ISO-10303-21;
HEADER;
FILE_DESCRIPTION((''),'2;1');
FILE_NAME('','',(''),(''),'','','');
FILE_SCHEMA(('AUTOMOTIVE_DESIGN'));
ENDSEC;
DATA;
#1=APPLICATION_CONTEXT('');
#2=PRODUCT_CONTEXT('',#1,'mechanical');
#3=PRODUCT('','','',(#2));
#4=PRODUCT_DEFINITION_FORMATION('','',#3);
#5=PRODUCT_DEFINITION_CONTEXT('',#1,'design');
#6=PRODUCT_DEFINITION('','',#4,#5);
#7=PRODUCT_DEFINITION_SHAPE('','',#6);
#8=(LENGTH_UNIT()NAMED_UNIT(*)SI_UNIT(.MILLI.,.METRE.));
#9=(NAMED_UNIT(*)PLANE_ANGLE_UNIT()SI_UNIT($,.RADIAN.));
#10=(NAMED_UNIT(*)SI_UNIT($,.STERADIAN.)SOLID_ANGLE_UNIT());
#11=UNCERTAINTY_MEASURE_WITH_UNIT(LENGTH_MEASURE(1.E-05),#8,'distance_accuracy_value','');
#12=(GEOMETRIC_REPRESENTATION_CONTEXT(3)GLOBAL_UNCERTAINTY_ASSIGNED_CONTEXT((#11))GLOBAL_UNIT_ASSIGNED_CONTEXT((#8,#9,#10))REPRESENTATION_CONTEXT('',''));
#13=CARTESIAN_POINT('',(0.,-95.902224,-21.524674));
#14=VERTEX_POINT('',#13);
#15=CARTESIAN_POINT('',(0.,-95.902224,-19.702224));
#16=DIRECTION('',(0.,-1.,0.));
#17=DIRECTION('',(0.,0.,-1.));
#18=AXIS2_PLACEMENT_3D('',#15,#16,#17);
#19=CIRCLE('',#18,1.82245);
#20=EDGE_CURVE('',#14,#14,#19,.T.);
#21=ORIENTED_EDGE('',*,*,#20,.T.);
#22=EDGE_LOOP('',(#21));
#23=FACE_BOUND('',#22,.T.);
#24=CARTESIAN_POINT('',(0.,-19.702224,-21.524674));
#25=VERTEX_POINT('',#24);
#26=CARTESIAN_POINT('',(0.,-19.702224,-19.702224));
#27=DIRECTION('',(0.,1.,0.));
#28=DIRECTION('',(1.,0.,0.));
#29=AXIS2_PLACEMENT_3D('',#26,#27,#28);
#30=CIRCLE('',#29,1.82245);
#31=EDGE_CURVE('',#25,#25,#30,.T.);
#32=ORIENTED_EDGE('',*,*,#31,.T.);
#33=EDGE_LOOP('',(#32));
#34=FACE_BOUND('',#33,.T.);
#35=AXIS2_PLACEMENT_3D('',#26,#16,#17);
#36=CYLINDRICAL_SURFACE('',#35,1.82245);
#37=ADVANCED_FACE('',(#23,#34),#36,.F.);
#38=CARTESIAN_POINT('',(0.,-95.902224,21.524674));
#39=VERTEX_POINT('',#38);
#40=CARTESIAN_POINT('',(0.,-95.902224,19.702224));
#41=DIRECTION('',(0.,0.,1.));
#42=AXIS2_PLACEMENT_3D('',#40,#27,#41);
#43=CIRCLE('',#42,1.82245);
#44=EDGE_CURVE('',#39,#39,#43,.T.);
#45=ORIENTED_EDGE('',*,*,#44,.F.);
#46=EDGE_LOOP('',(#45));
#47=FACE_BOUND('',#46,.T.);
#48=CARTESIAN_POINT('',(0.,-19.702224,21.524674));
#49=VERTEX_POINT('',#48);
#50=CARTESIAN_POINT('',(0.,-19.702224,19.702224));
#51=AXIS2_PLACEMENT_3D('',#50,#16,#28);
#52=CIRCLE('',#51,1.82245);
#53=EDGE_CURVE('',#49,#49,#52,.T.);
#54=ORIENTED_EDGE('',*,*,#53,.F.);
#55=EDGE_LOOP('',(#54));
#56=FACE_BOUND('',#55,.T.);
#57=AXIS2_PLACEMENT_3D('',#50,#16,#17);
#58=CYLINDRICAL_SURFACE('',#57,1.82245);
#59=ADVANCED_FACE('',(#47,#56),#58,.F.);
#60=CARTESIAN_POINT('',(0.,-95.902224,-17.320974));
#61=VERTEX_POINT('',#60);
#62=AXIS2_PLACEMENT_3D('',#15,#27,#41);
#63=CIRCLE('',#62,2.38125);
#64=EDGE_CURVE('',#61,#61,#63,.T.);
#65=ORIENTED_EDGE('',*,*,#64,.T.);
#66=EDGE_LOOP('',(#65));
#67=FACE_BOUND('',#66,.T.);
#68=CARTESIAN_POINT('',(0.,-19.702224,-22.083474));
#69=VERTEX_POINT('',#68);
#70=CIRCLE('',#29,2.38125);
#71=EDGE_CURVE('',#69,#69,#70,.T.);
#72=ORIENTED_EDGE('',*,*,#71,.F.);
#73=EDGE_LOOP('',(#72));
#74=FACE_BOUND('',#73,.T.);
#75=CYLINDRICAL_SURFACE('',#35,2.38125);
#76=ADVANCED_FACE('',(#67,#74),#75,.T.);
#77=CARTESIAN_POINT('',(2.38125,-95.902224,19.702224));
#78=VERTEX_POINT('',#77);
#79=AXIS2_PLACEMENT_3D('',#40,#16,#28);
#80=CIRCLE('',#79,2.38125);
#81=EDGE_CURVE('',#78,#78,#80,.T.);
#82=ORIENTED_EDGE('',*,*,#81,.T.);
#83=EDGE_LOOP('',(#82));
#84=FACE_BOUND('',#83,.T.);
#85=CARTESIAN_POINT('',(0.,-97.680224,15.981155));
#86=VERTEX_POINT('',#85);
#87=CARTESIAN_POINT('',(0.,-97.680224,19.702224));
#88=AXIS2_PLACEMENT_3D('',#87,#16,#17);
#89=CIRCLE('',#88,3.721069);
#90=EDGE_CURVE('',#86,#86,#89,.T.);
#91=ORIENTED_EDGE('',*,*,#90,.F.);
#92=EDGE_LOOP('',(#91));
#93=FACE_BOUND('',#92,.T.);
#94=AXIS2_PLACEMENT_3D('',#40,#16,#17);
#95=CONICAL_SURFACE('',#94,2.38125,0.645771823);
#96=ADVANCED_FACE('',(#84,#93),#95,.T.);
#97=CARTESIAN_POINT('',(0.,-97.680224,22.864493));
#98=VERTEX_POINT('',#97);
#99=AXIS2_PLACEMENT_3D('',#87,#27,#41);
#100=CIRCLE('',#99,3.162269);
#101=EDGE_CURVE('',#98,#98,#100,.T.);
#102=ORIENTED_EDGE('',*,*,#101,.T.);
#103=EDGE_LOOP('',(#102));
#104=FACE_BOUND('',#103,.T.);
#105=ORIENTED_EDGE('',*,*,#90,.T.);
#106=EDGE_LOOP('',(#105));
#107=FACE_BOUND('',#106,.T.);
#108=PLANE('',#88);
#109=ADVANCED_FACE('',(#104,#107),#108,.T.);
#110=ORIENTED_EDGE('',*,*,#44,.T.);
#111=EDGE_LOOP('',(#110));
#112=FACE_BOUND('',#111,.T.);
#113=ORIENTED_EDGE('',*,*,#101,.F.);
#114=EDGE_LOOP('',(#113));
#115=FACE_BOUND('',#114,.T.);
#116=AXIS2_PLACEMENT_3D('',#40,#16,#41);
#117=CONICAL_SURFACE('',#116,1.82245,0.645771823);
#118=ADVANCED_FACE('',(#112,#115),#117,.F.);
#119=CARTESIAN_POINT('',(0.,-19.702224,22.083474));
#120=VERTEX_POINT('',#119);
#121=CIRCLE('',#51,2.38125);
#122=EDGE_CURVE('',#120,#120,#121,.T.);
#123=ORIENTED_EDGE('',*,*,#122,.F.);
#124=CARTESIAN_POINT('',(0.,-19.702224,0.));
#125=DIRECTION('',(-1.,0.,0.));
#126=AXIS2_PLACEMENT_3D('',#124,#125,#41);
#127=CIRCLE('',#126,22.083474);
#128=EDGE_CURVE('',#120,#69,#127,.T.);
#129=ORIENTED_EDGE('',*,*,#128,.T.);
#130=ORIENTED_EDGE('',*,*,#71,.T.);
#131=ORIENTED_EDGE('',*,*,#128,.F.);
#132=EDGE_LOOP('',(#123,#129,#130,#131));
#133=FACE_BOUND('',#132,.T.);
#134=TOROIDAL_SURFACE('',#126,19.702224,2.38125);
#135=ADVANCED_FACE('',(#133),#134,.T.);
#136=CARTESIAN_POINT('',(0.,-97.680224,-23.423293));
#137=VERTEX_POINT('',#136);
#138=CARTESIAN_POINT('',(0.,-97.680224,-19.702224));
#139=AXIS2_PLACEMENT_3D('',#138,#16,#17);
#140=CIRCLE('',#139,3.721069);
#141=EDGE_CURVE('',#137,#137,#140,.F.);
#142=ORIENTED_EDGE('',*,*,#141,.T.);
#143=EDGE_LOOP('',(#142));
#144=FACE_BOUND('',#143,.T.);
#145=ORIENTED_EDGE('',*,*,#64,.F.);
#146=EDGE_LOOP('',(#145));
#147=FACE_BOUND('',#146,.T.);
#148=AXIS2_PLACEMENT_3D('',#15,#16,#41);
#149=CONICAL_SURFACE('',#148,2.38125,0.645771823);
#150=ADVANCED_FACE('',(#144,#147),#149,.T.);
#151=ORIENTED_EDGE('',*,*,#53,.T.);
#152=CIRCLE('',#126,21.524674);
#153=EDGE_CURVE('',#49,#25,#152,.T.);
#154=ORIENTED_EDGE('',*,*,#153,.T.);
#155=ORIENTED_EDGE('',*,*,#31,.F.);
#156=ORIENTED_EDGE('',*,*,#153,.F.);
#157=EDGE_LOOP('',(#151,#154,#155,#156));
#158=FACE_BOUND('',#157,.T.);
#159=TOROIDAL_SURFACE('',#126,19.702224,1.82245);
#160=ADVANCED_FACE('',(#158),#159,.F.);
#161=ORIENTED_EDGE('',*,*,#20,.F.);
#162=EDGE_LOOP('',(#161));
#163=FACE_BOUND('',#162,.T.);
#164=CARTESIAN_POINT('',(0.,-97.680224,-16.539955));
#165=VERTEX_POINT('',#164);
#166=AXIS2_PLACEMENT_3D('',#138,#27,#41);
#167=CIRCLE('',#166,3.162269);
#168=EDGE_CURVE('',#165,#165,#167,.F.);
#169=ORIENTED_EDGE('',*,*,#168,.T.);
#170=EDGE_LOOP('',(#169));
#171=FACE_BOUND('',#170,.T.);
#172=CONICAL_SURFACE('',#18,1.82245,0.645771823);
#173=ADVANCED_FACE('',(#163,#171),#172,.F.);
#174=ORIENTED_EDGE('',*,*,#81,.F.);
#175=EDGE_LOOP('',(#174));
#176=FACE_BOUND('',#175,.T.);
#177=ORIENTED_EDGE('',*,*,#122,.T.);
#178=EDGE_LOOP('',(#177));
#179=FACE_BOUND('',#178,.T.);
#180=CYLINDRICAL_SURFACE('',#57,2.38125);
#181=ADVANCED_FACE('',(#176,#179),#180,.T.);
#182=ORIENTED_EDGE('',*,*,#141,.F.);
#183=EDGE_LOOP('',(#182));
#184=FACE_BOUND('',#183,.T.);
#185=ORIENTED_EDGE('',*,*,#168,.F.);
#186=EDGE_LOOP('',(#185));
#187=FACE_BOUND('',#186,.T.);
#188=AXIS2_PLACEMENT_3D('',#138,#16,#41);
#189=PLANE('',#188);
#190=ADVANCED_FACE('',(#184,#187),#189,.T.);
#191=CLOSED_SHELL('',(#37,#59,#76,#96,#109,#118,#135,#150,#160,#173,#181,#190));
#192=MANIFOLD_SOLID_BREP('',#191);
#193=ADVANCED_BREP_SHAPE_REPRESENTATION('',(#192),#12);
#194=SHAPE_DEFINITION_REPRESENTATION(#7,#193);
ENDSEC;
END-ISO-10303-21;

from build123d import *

# Parameters (mm, degrees)
SKETCH8_R           = 2.38125
SKETCH8_R_2         = 1.82245
SKETCH10_R          = 2.38125
BOSS_EXTRUDE3_DEPTH = 1.778
BOSS_EXTRUDE3_TAPER = -37
SKETCH11_R          = 1.82245
CUT_EXTRUDE2_DEPTH  = 2.7780001
CUT_EXTRUDE2_TAPER  = -37


with BuildPart() as part:
    # Sweep2: sweep along a path in Sketch9
    with BuildLine(Plane(origin=(0, 0, 0), x_dir=(0, 0, -1), z_dir=(1, 0, 0))) as sweep2_path:
        Line((-19.702223994, -95.902223994), (-19.702223994, -19.702223994))
        ThreePointArc((-19.702223994, -19.702223994), (-13.931576191, -5.770647803), (0, 0))
    # Sketch8 → Sweep2 (sweep)
    with BuildSketch(Plane.XY):
        Circle(SKETCH8_R)
        Circle(SKETCH8_R_2, mode=Mode.SUBTRACT)
    sweep2 = sweep(path=sweep2_path.line)

    # Sketch10 → Boss-Extrude3 (add)
    with BuildSketch(Plane.XZ.offset(95.902223994)):
        with Locations((0, 19.702223994)):
            Circle(SKETCH10_R)
    boss_extrude3 = extrude(amount=BOSS_EXTRUDE3_DEPTH, taper=BOSS_EXTRUDE3_TAPER)

    # Sketch11 → Cut-Extrude2 (cut, through all)
    with BuildSketch(Plane(origin=(0, -95.902223994, 0), x_dir=(1, 0, 0), z_dir=(0, 1, 0))):
        with Locations(Location((0, -19.702223994, 0), (0, 0, 270))):  # turned: the seam where the file's is
            Circle(SKETCH11_R)
    cut_extrude2 = extrude(amount=-CUT_EXTRUDE2_DEPTH, taper=CUT_EXTRUDE2_TAPER, mode=Mode.SUBTRACT)

    # Mirror1: Sweep2, Boss-Extrude3, Cut-Extrude2 across plane
    add(sweep2.mirror(Plane.XY))
    add(boss_extrude3.mirror(Plane.XY))
    add(cut_extrude2.mirror(Plane.XY), mode=Mode.SUBTRACT)


solid = part.part
